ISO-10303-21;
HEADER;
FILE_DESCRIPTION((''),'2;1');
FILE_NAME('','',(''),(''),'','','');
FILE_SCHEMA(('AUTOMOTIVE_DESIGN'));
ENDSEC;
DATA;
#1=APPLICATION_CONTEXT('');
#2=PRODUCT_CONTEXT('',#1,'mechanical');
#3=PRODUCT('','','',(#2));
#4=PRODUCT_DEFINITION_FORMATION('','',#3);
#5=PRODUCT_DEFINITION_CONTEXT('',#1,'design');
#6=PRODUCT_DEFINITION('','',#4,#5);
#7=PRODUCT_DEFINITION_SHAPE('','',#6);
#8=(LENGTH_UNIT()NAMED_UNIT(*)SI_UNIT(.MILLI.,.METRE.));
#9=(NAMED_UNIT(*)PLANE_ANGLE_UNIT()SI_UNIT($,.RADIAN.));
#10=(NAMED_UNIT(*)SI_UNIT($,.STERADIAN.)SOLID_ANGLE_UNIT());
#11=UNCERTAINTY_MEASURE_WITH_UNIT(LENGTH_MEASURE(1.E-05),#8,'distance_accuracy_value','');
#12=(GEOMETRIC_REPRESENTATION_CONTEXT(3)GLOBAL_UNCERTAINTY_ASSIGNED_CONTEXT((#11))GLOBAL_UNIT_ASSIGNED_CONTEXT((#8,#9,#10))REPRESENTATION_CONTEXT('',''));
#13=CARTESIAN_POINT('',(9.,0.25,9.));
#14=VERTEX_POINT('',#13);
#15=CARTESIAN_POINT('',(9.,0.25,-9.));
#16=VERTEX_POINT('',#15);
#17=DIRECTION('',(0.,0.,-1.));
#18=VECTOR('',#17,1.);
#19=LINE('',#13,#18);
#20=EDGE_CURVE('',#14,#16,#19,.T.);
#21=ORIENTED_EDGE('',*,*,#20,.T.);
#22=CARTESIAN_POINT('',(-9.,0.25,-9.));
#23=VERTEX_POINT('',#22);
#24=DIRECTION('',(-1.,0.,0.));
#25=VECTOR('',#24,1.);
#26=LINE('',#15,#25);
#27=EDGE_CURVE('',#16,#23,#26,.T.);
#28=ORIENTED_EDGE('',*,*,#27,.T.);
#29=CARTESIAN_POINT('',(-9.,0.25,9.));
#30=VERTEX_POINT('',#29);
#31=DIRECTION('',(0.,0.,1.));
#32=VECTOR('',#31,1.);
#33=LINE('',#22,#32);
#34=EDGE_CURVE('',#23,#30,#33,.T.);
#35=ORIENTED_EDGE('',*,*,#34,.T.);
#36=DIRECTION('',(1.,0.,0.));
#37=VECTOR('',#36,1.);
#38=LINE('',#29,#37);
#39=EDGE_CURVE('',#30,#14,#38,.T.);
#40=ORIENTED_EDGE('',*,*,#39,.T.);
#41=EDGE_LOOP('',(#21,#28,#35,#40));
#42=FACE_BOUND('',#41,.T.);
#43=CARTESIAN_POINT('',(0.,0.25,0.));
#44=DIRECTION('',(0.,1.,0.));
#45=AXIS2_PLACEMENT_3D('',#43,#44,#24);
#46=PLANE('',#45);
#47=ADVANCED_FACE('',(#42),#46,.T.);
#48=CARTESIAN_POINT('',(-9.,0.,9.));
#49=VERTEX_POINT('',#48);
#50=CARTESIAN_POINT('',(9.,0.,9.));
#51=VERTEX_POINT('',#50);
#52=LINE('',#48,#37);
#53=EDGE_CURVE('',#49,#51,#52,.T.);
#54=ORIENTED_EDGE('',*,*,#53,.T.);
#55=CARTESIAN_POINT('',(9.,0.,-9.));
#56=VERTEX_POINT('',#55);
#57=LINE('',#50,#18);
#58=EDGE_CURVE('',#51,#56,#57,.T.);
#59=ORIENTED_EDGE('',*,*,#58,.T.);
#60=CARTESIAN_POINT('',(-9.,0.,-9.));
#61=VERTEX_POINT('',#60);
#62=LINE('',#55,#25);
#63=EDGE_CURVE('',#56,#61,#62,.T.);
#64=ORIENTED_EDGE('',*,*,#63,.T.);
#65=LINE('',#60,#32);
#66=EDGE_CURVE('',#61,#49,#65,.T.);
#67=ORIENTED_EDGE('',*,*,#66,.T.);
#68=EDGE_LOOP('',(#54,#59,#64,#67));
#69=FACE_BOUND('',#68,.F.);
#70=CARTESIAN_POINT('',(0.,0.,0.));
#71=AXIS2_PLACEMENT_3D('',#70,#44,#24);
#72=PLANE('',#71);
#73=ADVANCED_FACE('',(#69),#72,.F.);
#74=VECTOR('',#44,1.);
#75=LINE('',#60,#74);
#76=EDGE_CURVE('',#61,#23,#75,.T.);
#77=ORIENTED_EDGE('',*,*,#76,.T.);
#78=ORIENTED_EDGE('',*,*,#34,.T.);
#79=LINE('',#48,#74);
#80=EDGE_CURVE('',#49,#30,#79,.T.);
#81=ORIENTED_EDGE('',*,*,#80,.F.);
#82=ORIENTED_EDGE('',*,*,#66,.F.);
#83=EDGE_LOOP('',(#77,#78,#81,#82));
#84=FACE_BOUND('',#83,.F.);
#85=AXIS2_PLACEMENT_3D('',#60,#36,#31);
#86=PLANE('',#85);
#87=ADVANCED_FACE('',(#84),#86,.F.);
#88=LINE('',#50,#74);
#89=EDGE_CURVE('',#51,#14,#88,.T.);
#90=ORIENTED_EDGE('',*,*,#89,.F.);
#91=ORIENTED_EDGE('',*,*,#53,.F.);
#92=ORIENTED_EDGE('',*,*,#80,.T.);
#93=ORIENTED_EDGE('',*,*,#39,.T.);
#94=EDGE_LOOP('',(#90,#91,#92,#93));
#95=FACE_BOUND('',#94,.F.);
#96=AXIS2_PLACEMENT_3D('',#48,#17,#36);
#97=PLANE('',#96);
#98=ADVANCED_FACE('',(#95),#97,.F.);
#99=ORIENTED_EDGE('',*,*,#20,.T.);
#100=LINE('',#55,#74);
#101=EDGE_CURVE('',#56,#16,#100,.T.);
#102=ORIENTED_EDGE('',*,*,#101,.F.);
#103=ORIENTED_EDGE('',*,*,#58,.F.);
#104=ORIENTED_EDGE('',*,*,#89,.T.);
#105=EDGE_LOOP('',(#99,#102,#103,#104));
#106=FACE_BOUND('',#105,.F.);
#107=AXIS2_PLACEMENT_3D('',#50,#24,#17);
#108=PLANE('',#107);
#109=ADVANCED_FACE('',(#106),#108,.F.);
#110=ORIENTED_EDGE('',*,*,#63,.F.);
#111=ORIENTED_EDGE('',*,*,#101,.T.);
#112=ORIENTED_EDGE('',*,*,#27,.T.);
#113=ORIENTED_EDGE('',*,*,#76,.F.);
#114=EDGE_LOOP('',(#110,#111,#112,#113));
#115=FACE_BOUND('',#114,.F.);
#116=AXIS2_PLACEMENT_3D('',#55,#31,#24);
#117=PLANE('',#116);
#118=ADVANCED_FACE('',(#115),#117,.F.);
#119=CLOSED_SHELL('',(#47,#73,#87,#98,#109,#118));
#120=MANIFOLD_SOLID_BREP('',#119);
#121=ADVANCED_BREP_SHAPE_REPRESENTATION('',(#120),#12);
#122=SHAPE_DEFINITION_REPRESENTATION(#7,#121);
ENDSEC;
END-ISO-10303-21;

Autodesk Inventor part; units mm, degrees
ref_plane "YZ Plane" through (0, 0, 0) normal (1, 0, 0) x (0, 1, 0)
ref_plane "XZ Plane" through (0, 0, 0) normal (0, 1, 0) x (-1, 0, 0)
ref_plane "XY Plane" through (0, 0, 0) normal (0, 0, 1) x (1, 0, 0)
sketch "Sketch1" plane through (0, 0, 0) normal (0, 1, 0) x (-1, 0, 0)
  line L0 (-9, -9) -> (9, -9)
  line L1 (9, -9) -> (9, 9)
  line L2 (9, 9) -> (-9, 9)
  line L3 (-9, 9) -> (-9, -9)
  line L4 (-9, -9) -> (9, 9) construction
  line L5 (9, -9) -> (-9, 9) construction
  point P0 (0, 0)
  dimension "d0" = 18
  dimension "d1" = 18
extrude "Extrusion1" add sketch "Sketch1" along normal blind 0.25
properties part number "CoverSlip"
